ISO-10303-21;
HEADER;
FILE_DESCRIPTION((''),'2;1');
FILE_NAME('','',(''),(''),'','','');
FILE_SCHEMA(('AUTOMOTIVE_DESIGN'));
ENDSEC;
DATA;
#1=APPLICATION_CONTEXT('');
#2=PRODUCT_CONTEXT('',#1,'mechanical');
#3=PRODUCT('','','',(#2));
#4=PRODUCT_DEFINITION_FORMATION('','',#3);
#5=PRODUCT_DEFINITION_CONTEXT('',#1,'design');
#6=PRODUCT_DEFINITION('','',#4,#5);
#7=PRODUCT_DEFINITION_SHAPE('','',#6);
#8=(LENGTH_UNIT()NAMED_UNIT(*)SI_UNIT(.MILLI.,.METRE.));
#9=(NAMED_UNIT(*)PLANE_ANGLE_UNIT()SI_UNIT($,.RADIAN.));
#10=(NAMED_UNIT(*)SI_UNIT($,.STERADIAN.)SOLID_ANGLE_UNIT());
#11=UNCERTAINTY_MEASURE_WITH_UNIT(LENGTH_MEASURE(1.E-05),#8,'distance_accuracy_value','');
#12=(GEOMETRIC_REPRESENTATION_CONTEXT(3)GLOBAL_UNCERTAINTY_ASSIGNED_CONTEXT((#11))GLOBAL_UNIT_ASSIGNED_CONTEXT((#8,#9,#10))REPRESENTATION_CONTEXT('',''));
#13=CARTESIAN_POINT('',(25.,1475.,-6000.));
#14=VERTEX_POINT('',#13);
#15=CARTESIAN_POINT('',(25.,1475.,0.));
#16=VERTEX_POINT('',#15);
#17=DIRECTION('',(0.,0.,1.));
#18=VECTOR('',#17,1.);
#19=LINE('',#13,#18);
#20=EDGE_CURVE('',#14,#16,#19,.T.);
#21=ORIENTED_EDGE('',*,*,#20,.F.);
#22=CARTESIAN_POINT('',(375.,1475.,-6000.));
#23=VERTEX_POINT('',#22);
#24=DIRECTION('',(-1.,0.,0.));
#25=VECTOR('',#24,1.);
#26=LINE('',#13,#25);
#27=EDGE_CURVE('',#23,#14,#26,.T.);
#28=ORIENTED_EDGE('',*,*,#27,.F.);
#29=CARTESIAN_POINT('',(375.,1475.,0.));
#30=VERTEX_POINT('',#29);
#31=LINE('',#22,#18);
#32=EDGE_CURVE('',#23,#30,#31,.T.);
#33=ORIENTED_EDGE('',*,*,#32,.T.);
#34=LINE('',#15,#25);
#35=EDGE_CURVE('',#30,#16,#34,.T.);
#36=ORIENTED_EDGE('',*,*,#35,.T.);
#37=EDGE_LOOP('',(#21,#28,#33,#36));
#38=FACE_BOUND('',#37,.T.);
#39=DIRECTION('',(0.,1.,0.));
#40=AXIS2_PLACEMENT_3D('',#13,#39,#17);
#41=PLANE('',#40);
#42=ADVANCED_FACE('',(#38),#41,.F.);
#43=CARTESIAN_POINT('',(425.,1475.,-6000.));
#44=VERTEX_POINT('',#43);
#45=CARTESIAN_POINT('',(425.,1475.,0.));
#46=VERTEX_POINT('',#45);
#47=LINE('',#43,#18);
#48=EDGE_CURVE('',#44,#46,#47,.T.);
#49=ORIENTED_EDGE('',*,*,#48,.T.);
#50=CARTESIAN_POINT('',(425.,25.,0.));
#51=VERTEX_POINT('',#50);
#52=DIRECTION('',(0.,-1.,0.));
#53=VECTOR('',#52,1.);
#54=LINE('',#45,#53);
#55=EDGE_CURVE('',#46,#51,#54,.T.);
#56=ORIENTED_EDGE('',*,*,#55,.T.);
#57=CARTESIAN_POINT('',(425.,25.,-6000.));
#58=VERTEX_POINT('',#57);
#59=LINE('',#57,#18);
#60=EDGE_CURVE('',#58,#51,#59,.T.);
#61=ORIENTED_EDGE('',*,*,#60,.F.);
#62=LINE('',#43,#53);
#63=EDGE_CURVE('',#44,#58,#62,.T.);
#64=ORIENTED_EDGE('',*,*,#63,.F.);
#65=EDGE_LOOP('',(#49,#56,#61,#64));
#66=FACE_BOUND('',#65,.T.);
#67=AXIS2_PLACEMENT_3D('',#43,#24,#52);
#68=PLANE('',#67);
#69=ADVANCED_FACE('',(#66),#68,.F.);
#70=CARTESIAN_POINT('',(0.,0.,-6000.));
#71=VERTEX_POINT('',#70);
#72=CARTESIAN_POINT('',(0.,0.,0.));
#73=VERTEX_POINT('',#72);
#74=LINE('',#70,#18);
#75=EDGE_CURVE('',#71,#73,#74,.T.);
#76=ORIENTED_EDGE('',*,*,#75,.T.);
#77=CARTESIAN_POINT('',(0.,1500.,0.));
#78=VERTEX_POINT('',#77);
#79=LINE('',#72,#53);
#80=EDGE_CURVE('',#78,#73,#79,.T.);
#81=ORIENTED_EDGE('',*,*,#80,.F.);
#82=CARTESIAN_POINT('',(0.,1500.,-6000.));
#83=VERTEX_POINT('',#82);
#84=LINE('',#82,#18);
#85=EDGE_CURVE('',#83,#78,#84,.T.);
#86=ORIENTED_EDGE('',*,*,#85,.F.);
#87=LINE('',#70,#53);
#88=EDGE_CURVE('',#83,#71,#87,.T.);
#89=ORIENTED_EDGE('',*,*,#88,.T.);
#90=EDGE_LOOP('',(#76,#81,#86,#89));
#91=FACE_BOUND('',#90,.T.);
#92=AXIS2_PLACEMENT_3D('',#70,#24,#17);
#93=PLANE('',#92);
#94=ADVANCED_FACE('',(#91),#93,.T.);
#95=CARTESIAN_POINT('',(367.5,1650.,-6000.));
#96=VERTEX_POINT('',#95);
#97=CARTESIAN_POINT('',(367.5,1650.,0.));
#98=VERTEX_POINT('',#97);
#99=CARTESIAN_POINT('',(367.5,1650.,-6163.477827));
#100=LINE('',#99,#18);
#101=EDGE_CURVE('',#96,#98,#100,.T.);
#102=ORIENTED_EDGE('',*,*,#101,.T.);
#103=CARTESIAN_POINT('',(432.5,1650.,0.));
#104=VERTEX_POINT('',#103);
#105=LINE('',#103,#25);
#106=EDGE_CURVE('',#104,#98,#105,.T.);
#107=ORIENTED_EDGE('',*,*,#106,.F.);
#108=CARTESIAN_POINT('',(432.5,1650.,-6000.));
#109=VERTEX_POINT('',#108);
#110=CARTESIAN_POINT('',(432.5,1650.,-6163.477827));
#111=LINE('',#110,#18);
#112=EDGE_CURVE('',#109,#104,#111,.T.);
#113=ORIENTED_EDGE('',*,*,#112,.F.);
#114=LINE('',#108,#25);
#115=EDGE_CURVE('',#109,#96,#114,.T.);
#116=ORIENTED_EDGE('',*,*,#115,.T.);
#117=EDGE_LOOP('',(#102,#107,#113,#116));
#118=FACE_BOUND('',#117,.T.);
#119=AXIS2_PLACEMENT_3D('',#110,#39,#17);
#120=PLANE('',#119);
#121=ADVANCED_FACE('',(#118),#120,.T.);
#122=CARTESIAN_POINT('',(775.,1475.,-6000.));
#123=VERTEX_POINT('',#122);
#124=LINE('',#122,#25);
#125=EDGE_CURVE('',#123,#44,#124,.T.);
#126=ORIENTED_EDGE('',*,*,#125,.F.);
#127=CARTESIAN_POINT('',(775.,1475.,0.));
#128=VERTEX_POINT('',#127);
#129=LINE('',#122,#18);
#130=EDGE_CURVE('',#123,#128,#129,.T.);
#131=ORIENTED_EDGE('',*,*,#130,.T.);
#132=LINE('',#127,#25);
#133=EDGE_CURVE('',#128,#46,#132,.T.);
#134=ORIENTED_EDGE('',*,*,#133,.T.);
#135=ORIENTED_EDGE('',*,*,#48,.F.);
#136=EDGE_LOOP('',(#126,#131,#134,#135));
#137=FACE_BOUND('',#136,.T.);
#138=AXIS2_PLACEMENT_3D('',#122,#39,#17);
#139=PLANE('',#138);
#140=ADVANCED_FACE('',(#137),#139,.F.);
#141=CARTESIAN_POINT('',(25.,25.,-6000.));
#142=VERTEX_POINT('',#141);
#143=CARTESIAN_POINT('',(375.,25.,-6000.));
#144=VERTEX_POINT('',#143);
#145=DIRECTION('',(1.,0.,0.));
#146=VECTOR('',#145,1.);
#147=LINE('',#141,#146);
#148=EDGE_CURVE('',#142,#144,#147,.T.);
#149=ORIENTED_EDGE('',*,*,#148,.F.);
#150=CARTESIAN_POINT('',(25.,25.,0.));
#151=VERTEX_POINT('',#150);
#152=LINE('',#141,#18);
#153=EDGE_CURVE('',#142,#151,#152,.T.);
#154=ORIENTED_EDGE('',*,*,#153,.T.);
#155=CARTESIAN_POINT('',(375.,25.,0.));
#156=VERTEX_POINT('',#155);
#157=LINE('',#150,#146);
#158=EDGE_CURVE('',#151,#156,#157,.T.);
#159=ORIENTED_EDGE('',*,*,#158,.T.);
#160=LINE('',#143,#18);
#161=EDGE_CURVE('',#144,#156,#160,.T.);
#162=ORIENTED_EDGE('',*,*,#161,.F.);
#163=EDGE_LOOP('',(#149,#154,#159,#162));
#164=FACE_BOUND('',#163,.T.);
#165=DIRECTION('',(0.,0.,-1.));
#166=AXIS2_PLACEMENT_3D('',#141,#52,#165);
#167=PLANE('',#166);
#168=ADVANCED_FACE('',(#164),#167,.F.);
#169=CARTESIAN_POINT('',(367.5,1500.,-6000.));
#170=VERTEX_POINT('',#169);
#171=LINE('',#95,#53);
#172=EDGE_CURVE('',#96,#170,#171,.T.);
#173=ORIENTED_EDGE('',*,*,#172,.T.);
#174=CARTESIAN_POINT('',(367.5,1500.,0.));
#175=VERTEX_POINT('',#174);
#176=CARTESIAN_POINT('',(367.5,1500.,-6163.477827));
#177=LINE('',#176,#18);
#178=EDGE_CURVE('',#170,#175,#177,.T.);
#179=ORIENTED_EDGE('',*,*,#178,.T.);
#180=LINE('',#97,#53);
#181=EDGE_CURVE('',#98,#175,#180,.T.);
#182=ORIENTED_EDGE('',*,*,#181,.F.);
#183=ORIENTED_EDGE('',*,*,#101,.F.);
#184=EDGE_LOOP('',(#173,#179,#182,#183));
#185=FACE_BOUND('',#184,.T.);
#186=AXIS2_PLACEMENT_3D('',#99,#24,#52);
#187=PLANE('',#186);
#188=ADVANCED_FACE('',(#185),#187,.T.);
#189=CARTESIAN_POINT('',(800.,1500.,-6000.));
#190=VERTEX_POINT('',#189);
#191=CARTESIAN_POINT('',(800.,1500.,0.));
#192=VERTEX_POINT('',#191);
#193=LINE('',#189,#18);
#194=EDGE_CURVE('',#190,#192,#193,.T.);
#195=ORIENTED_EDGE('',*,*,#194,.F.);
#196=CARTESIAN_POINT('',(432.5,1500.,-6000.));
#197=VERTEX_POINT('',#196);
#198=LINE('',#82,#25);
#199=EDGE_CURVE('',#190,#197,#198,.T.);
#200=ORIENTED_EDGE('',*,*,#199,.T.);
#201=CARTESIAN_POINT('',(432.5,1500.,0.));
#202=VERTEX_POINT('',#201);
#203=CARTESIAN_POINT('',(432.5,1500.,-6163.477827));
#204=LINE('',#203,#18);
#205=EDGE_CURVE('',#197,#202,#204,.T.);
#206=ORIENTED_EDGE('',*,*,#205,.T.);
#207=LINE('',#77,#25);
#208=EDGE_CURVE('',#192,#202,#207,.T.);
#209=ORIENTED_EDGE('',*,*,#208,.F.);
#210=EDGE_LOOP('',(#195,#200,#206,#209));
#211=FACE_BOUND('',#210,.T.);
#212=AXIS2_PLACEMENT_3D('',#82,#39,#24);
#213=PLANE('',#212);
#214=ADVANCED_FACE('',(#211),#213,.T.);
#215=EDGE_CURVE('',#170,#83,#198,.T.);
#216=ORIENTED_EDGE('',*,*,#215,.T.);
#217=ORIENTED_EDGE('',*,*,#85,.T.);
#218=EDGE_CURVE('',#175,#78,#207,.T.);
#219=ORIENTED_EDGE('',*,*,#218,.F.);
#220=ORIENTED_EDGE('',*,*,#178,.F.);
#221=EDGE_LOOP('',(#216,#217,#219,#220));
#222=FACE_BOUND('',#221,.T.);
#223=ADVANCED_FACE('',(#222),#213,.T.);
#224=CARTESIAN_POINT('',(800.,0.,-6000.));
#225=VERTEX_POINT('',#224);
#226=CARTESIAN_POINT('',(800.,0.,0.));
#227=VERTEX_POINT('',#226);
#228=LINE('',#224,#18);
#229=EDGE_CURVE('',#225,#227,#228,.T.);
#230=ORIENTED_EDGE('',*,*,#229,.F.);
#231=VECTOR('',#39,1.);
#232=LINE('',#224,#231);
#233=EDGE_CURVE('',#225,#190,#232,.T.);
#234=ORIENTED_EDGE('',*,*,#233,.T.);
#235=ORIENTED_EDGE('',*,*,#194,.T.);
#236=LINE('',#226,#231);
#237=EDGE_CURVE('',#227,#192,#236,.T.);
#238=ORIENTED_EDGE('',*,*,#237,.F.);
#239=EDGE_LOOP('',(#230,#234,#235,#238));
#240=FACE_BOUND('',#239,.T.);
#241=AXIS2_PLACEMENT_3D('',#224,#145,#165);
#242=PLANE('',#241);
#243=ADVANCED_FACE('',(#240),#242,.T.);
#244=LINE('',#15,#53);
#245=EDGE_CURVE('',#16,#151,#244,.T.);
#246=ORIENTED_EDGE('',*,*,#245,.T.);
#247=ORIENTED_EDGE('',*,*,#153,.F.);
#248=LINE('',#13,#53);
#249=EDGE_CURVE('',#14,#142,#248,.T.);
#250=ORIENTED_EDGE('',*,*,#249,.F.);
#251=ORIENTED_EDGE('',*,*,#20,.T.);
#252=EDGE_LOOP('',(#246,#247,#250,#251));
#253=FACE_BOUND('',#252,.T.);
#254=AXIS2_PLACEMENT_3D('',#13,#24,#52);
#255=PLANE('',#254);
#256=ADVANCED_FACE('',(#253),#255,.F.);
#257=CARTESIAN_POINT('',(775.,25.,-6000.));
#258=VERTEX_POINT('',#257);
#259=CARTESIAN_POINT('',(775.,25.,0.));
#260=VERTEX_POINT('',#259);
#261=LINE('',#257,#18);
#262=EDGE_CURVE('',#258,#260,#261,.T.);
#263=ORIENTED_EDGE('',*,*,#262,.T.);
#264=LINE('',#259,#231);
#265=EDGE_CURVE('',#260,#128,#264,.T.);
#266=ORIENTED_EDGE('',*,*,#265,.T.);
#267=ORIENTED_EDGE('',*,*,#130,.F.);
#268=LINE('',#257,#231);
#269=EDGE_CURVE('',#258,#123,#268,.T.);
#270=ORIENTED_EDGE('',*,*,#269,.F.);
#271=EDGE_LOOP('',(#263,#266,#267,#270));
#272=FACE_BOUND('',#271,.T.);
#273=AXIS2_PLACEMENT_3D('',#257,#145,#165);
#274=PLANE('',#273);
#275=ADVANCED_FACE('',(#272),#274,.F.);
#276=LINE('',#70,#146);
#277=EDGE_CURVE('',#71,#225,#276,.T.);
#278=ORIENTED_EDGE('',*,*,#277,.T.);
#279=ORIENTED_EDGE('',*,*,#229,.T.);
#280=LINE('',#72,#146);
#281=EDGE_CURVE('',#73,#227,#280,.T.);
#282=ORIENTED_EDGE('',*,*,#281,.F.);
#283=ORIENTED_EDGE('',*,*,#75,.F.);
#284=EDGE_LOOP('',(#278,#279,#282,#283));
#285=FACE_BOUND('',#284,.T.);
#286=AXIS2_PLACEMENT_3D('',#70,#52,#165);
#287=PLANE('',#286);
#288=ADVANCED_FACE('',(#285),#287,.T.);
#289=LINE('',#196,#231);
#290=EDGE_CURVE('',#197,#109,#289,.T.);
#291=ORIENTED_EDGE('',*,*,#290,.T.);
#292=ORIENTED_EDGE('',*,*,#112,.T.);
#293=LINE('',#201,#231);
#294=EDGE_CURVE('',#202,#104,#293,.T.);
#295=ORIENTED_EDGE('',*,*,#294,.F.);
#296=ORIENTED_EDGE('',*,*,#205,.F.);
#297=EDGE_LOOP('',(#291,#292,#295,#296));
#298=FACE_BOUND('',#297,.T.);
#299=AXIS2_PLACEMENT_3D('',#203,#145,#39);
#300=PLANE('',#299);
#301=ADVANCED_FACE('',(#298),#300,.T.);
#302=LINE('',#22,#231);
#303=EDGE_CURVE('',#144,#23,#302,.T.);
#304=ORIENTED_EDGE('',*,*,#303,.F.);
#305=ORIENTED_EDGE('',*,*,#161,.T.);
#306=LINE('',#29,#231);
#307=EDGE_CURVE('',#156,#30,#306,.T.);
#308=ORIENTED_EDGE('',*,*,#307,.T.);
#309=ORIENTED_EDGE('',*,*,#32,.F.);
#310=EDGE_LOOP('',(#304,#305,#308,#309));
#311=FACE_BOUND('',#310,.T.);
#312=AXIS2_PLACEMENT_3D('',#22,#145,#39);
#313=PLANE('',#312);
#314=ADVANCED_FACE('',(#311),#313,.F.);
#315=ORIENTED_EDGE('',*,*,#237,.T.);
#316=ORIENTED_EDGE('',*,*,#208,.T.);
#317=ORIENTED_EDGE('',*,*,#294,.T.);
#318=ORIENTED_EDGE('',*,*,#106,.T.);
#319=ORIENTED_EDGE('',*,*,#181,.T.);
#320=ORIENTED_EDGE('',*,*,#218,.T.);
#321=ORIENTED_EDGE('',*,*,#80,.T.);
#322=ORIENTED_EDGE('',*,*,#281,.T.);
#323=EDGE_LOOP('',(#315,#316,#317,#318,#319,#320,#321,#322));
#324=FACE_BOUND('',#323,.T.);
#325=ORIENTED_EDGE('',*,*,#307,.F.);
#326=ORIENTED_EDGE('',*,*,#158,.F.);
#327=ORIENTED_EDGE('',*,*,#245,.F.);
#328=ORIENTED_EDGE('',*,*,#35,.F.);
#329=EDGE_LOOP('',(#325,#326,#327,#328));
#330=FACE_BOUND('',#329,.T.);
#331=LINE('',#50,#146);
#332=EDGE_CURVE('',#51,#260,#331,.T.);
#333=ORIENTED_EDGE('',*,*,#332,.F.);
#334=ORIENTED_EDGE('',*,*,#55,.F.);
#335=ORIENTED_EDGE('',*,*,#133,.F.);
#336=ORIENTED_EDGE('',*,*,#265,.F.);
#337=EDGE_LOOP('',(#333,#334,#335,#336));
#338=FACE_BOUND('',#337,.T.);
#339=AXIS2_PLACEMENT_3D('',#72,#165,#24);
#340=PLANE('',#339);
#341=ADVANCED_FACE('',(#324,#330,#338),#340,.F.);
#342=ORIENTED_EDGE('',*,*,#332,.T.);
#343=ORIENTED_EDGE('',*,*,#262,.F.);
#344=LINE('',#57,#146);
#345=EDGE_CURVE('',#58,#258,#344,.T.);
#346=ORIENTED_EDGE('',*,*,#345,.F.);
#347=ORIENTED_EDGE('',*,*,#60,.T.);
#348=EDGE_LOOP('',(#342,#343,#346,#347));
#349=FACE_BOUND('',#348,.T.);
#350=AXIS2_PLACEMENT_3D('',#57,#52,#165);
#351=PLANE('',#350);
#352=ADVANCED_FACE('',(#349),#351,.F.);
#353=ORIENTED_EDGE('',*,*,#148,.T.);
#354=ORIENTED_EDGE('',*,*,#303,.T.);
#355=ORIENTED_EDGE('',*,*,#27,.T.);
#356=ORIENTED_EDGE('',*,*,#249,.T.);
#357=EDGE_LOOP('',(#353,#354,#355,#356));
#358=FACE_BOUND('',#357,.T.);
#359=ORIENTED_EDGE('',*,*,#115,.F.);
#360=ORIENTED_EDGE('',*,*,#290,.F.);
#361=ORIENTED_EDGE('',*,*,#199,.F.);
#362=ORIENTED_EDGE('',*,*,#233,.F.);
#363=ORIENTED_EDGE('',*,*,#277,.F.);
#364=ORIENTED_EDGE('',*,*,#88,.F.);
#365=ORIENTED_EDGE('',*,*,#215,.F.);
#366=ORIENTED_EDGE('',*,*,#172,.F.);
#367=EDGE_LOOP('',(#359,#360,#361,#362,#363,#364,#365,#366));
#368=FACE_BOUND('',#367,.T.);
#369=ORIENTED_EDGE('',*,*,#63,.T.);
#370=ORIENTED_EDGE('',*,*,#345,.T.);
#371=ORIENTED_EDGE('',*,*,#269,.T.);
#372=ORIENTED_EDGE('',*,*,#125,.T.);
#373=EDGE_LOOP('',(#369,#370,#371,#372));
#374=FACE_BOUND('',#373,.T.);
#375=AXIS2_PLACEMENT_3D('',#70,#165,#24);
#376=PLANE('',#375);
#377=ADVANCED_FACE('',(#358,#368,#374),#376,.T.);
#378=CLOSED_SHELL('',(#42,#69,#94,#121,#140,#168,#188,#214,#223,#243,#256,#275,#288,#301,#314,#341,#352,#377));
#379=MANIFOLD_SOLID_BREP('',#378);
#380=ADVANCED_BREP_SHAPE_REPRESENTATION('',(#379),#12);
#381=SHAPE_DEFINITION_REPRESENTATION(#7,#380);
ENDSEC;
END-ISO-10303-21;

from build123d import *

# Parameters (mm, degrees)
ESQUISSE1_W        = 800
ESQUISSE1_H        = 1500
ESQUISSE1_W_2      = 350
ESQUISSE1_H_2      = 1450
BOSS_EXTRU_1_DEPTH = 6000
ESQUISSE2_W        = 65
ESQUISSE2_H        = 150
BOSS_EXTRU_2_DEPTH = 6000


with BuildPart() as part:
    # Esquisse1 → Boss.-Extru.1 (new body)
    with BuildSketch(Plane.XY):
        with Locations((400, 750)):
            Rectangle(ESQUISSE1_W, ESQUISSE1_H)
        with Locations((600, 750)):
            Rectangle(ESQUISSE1_W_2, ESQUISSE1_H_2, mode=Mode.SUBTRACT)
        with Locations((200, 750)):
            Rectangle(ESQUISSE1_W_2, ESQUISSE1_H_2, mode=Mode.SUBTRACT)
    extrude(amount=-BOSS_EXTRU_1_DEPTH)

    # Esquisse2 → Boss.-Extru.2 (add)
    with BuildSketch(Plane.XY):
        with Locations((400, 1575)):
            Rectangle(ESQUISSE2_W, ESQUISSE2_H)
    extrude(amount=-BOSS_EXTRU_2_DEPTH)


solid = part.part
